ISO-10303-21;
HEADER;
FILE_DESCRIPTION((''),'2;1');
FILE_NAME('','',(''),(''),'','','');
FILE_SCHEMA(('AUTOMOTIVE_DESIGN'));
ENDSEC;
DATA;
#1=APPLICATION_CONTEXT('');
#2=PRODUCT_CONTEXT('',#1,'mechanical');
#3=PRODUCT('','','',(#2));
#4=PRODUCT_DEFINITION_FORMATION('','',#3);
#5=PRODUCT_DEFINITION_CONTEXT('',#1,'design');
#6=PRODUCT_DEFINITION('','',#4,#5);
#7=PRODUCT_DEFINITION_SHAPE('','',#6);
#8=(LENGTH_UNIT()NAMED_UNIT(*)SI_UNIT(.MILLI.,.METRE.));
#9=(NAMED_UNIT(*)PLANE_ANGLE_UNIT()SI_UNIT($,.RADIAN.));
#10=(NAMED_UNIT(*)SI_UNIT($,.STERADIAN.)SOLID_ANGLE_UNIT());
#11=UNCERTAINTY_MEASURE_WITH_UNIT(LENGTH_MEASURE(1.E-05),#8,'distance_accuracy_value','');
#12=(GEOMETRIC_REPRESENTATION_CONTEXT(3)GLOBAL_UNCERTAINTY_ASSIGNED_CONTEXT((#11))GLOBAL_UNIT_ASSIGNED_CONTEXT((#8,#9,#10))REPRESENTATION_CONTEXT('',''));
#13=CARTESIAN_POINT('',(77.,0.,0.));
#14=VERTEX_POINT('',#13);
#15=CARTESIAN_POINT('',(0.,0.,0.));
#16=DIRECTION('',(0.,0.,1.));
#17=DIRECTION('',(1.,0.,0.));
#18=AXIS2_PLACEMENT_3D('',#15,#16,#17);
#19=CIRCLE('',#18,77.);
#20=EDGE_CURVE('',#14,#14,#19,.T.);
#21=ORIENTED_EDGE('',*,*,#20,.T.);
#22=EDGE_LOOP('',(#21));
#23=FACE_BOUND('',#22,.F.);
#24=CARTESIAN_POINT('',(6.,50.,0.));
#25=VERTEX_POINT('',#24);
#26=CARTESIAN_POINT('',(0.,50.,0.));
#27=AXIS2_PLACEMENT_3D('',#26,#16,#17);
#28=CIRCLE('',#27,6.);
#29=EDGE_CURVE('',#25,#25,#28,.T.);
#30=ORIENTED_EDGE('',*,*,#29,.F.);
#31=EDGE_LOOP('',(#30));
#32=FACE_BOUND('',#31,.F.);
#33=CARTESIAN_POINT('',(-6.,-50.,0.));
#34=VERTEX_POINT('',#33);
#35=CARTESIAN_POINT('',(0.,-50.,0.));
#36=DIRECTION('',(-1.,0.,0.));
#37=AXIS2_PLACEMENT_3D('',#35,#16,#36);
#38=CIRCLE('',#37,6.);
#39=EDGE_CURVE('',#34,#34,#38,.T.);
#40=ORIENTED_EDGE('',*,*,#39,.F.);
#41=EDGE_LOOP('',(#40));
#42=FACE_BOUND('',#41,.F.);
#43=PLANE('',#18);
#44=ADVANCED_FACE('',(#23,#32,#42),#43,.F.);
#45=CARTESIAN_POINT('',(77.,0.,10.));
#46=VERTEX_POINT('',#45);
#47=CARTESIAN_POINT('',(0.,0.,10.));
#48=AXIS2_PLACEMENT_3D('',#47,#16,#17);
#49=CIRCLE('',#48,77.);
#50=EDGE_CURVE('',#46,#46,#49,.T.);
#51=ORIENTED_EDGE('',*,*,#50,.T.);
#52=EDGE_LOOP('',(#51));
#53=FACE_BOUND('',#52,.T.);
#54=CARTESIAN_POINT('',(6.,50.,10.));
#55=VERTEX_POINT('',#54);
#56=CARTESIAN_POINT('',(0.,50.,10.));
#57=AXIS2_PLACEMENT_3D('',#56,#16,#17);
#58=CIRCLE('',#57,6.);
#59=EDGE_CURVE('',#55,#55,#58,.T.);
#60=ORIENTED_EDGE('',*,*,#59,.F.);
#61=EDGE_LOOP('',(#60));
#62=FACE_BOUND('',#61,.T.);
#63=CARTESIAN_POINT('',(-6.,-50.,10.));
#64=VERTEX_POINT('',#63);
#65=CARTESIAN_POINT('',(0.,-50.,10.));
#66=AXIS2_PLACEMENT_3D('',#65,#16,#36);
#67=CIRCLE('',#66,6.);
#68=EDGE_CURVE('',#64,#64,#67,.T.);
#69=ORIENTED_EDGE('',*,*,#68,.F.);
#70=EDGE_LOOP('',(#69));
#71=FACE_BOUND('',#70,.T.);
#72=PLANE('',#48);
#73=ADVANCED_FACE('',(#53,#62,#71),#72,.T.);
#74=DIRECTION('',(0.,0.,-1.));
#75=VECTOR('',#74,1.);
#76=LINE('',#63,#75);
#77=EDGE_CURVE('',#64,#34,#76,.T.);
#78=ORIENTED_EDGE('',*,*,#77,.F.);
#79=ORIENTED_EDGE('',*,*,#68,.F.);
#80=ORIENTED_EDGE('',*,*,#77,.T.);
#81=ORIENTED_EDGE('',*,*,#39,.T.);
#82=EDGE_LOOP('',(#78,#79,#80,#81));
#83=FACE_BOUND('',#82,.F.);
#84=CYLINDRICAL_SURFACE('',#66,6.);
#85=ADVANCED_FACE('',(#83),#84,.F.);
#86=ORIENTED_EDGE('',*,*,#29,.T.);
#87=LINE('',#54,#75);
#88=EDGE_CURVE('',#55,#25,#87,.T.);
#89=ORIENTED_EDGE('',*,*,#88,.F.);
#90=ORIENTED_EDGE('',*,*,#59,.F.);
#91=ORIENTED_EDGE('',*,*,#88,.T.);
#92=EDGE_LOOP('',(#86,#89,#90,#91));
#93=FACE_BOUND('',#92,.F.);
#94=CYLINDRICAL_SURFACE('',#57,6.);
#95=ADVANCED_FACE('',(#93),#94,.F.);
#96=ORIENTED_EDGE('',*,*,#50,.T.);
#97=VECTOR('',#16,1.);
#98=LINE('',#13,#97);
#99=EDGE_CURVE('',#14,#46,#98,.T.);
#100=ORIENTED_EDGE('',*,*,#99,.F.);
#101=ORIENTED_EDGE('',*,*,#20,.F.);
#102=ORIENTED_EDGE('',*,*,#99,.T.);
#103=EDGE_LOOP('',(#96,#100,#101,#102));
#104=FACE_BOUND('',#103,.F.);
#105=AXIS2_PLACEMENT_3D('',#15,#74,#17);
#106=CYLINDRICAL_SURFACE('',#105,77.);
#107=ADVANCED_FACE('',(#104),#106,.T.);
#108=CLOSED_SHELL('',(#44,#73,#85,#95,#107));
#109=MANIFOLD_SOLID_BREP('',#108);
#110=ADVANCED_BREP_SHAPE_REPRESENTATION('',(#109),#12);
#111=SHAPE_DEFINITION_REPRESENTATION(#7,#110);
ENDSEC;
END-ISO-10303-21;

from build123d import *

# Parameters (mm, degrees)
SKETCH_R           = 77
PAD_DEPTH          = 10
SKETCH001_R        = 6
POCKET_DEPTH       = 446.037696
POLARPATTERN_COUNT = 2


with BuildPart() as part:
    # Sketch → Pad (new body)
    with BuildSketch(Plane.XY):
        Circle(SKETCH_R)
    extrude(amount=PAD_DEPTH)

    # Sketch001 (on Face3 of Pad) → Pocket (cut, through all)
    with BuildSketch(Plane.XY.offset(10)):
        with Locations((0, 50)):
            Circle(SKETCH001_R)
    pocket = extrude(amount=-POCKET_DEPTH, mode=Mode.SUBTRACT)

    # PolarPattern: Pocket ×2 about axis
    polarpattern_axis = Axis((0, 0, 10), (0, 0, 1))
    for i in range(1, POLARPATTERN_COUNT):
        add(pocket.rotate(polarpattern_axis, i * 360 / POLARPATTERN_COUNT), mode=Mode.SUBTRACT)


solid = part.part
